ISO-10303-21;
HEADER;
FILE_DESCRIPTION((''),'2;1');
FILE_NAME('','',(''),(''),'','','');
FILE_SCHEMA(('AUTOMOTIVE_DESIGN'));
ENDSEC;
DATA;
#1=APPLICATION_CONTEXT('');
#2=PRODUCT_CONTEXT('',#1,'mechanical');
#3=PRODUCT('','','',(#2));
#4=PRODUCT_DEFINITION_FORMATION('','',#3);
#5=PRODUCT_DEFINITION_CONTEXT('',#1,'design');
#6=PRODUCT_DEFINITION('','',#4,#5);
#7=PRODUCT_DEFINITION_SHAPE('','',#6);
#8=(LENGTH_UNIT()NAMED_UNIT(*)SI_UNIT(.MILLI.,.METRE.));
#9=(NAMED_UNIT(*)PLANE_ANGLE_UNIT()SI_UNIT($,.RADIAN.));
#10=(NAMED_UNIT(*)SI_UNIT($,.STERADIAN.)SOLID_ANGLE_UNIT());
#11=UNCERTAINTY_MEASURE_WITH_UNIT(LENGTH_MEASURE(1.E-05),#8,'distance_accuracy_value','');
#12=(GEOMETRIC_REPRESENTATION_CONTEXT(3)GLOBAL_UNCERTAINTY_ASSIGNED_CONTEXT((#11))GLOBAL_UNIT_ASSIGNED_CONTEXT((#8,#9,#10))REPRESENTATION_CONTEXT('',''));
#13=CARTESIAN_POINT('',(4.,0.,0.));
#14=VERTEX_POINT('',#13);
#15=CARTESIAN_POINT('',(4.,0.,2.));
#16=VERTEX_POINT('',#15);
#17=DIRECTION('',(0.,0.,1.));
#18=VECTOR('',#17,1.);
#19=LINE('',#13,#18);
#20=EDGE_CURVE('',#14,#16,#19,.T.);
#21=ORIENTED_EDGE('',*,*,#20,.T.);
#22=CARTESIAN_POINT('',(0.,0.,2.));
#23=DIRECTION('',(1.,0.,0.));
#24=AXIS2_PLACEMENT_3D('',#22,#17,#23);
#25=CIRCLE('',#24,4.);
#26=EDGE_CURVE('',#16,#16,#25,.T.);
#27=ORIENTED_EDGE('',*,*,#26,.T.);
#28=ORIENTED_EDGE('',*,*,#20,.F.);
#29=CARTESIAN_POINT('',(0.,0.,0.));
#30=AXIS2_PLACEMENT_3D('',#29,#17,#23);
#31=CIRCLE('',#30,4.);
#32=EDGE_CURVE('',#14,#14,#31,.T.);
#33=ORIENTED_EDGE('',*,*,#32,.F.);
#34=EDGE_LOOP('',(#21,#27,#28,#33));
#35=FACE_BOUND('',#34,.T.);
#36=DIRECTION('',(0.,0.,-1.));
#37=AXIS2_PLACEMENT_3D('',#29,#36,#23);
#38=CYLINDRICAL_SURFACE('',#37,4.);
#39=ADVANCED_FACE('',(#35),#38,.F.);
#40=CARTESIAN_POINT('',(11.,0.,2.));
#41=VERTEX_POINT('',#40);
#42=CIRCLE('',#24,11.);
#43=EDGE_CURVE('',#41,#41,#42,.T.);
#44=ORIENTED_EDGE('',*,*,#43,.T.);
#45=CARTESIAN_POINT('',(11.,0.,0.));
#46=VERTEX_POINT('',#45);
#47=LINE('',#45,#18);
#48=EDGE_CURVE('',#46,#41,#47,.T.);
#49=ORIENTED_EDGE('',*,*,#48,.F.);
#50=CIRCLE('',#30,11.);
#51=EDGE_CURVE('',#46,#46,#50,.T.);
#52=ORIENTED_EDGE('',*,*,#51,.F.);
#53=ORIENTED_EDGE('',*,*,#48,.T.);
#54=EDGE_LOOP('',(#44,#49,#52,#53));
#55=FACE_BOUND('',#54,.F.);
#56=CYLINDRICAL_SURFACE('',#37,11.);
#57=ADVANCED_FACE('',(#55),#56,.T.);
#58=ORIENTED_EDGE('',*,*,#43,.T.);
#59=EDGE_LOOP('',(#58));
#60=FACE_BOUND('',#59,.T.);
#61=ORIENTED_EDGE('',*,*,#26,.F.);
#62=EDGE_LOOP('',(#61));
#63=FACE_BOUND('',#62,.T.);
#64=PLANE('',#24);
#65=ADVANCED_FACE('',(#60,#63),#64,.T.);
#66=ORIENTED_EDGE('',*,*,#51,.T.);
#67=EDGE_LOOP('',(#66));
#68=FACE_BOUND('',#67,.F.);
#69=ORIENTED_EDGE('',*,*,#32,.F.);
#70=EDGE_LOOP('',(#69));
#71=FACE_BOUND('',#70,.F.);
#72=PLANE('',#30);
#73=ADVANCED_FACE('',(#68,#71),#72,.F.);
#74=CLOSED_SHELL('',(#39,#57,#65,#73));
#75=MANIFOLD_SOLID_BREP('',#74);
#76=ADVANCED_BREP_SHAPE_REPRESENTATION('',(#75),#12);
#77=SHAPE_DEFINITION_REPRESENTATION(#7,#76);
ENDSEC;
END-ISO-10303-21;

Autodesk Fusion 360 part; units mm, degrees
sketch "Sketch1" plane through (0, 0, 0) normal (0, 0, 1) x (1, 0, 0)
  circle A0 centre (0, 0) radius 4
  circle A1 centre (0, 0) radius 11
  dimension "d1" = 8
  dimension "d2" = 22
extrude "Extrude1" add sketch "Sketch1" along normal blind 2
